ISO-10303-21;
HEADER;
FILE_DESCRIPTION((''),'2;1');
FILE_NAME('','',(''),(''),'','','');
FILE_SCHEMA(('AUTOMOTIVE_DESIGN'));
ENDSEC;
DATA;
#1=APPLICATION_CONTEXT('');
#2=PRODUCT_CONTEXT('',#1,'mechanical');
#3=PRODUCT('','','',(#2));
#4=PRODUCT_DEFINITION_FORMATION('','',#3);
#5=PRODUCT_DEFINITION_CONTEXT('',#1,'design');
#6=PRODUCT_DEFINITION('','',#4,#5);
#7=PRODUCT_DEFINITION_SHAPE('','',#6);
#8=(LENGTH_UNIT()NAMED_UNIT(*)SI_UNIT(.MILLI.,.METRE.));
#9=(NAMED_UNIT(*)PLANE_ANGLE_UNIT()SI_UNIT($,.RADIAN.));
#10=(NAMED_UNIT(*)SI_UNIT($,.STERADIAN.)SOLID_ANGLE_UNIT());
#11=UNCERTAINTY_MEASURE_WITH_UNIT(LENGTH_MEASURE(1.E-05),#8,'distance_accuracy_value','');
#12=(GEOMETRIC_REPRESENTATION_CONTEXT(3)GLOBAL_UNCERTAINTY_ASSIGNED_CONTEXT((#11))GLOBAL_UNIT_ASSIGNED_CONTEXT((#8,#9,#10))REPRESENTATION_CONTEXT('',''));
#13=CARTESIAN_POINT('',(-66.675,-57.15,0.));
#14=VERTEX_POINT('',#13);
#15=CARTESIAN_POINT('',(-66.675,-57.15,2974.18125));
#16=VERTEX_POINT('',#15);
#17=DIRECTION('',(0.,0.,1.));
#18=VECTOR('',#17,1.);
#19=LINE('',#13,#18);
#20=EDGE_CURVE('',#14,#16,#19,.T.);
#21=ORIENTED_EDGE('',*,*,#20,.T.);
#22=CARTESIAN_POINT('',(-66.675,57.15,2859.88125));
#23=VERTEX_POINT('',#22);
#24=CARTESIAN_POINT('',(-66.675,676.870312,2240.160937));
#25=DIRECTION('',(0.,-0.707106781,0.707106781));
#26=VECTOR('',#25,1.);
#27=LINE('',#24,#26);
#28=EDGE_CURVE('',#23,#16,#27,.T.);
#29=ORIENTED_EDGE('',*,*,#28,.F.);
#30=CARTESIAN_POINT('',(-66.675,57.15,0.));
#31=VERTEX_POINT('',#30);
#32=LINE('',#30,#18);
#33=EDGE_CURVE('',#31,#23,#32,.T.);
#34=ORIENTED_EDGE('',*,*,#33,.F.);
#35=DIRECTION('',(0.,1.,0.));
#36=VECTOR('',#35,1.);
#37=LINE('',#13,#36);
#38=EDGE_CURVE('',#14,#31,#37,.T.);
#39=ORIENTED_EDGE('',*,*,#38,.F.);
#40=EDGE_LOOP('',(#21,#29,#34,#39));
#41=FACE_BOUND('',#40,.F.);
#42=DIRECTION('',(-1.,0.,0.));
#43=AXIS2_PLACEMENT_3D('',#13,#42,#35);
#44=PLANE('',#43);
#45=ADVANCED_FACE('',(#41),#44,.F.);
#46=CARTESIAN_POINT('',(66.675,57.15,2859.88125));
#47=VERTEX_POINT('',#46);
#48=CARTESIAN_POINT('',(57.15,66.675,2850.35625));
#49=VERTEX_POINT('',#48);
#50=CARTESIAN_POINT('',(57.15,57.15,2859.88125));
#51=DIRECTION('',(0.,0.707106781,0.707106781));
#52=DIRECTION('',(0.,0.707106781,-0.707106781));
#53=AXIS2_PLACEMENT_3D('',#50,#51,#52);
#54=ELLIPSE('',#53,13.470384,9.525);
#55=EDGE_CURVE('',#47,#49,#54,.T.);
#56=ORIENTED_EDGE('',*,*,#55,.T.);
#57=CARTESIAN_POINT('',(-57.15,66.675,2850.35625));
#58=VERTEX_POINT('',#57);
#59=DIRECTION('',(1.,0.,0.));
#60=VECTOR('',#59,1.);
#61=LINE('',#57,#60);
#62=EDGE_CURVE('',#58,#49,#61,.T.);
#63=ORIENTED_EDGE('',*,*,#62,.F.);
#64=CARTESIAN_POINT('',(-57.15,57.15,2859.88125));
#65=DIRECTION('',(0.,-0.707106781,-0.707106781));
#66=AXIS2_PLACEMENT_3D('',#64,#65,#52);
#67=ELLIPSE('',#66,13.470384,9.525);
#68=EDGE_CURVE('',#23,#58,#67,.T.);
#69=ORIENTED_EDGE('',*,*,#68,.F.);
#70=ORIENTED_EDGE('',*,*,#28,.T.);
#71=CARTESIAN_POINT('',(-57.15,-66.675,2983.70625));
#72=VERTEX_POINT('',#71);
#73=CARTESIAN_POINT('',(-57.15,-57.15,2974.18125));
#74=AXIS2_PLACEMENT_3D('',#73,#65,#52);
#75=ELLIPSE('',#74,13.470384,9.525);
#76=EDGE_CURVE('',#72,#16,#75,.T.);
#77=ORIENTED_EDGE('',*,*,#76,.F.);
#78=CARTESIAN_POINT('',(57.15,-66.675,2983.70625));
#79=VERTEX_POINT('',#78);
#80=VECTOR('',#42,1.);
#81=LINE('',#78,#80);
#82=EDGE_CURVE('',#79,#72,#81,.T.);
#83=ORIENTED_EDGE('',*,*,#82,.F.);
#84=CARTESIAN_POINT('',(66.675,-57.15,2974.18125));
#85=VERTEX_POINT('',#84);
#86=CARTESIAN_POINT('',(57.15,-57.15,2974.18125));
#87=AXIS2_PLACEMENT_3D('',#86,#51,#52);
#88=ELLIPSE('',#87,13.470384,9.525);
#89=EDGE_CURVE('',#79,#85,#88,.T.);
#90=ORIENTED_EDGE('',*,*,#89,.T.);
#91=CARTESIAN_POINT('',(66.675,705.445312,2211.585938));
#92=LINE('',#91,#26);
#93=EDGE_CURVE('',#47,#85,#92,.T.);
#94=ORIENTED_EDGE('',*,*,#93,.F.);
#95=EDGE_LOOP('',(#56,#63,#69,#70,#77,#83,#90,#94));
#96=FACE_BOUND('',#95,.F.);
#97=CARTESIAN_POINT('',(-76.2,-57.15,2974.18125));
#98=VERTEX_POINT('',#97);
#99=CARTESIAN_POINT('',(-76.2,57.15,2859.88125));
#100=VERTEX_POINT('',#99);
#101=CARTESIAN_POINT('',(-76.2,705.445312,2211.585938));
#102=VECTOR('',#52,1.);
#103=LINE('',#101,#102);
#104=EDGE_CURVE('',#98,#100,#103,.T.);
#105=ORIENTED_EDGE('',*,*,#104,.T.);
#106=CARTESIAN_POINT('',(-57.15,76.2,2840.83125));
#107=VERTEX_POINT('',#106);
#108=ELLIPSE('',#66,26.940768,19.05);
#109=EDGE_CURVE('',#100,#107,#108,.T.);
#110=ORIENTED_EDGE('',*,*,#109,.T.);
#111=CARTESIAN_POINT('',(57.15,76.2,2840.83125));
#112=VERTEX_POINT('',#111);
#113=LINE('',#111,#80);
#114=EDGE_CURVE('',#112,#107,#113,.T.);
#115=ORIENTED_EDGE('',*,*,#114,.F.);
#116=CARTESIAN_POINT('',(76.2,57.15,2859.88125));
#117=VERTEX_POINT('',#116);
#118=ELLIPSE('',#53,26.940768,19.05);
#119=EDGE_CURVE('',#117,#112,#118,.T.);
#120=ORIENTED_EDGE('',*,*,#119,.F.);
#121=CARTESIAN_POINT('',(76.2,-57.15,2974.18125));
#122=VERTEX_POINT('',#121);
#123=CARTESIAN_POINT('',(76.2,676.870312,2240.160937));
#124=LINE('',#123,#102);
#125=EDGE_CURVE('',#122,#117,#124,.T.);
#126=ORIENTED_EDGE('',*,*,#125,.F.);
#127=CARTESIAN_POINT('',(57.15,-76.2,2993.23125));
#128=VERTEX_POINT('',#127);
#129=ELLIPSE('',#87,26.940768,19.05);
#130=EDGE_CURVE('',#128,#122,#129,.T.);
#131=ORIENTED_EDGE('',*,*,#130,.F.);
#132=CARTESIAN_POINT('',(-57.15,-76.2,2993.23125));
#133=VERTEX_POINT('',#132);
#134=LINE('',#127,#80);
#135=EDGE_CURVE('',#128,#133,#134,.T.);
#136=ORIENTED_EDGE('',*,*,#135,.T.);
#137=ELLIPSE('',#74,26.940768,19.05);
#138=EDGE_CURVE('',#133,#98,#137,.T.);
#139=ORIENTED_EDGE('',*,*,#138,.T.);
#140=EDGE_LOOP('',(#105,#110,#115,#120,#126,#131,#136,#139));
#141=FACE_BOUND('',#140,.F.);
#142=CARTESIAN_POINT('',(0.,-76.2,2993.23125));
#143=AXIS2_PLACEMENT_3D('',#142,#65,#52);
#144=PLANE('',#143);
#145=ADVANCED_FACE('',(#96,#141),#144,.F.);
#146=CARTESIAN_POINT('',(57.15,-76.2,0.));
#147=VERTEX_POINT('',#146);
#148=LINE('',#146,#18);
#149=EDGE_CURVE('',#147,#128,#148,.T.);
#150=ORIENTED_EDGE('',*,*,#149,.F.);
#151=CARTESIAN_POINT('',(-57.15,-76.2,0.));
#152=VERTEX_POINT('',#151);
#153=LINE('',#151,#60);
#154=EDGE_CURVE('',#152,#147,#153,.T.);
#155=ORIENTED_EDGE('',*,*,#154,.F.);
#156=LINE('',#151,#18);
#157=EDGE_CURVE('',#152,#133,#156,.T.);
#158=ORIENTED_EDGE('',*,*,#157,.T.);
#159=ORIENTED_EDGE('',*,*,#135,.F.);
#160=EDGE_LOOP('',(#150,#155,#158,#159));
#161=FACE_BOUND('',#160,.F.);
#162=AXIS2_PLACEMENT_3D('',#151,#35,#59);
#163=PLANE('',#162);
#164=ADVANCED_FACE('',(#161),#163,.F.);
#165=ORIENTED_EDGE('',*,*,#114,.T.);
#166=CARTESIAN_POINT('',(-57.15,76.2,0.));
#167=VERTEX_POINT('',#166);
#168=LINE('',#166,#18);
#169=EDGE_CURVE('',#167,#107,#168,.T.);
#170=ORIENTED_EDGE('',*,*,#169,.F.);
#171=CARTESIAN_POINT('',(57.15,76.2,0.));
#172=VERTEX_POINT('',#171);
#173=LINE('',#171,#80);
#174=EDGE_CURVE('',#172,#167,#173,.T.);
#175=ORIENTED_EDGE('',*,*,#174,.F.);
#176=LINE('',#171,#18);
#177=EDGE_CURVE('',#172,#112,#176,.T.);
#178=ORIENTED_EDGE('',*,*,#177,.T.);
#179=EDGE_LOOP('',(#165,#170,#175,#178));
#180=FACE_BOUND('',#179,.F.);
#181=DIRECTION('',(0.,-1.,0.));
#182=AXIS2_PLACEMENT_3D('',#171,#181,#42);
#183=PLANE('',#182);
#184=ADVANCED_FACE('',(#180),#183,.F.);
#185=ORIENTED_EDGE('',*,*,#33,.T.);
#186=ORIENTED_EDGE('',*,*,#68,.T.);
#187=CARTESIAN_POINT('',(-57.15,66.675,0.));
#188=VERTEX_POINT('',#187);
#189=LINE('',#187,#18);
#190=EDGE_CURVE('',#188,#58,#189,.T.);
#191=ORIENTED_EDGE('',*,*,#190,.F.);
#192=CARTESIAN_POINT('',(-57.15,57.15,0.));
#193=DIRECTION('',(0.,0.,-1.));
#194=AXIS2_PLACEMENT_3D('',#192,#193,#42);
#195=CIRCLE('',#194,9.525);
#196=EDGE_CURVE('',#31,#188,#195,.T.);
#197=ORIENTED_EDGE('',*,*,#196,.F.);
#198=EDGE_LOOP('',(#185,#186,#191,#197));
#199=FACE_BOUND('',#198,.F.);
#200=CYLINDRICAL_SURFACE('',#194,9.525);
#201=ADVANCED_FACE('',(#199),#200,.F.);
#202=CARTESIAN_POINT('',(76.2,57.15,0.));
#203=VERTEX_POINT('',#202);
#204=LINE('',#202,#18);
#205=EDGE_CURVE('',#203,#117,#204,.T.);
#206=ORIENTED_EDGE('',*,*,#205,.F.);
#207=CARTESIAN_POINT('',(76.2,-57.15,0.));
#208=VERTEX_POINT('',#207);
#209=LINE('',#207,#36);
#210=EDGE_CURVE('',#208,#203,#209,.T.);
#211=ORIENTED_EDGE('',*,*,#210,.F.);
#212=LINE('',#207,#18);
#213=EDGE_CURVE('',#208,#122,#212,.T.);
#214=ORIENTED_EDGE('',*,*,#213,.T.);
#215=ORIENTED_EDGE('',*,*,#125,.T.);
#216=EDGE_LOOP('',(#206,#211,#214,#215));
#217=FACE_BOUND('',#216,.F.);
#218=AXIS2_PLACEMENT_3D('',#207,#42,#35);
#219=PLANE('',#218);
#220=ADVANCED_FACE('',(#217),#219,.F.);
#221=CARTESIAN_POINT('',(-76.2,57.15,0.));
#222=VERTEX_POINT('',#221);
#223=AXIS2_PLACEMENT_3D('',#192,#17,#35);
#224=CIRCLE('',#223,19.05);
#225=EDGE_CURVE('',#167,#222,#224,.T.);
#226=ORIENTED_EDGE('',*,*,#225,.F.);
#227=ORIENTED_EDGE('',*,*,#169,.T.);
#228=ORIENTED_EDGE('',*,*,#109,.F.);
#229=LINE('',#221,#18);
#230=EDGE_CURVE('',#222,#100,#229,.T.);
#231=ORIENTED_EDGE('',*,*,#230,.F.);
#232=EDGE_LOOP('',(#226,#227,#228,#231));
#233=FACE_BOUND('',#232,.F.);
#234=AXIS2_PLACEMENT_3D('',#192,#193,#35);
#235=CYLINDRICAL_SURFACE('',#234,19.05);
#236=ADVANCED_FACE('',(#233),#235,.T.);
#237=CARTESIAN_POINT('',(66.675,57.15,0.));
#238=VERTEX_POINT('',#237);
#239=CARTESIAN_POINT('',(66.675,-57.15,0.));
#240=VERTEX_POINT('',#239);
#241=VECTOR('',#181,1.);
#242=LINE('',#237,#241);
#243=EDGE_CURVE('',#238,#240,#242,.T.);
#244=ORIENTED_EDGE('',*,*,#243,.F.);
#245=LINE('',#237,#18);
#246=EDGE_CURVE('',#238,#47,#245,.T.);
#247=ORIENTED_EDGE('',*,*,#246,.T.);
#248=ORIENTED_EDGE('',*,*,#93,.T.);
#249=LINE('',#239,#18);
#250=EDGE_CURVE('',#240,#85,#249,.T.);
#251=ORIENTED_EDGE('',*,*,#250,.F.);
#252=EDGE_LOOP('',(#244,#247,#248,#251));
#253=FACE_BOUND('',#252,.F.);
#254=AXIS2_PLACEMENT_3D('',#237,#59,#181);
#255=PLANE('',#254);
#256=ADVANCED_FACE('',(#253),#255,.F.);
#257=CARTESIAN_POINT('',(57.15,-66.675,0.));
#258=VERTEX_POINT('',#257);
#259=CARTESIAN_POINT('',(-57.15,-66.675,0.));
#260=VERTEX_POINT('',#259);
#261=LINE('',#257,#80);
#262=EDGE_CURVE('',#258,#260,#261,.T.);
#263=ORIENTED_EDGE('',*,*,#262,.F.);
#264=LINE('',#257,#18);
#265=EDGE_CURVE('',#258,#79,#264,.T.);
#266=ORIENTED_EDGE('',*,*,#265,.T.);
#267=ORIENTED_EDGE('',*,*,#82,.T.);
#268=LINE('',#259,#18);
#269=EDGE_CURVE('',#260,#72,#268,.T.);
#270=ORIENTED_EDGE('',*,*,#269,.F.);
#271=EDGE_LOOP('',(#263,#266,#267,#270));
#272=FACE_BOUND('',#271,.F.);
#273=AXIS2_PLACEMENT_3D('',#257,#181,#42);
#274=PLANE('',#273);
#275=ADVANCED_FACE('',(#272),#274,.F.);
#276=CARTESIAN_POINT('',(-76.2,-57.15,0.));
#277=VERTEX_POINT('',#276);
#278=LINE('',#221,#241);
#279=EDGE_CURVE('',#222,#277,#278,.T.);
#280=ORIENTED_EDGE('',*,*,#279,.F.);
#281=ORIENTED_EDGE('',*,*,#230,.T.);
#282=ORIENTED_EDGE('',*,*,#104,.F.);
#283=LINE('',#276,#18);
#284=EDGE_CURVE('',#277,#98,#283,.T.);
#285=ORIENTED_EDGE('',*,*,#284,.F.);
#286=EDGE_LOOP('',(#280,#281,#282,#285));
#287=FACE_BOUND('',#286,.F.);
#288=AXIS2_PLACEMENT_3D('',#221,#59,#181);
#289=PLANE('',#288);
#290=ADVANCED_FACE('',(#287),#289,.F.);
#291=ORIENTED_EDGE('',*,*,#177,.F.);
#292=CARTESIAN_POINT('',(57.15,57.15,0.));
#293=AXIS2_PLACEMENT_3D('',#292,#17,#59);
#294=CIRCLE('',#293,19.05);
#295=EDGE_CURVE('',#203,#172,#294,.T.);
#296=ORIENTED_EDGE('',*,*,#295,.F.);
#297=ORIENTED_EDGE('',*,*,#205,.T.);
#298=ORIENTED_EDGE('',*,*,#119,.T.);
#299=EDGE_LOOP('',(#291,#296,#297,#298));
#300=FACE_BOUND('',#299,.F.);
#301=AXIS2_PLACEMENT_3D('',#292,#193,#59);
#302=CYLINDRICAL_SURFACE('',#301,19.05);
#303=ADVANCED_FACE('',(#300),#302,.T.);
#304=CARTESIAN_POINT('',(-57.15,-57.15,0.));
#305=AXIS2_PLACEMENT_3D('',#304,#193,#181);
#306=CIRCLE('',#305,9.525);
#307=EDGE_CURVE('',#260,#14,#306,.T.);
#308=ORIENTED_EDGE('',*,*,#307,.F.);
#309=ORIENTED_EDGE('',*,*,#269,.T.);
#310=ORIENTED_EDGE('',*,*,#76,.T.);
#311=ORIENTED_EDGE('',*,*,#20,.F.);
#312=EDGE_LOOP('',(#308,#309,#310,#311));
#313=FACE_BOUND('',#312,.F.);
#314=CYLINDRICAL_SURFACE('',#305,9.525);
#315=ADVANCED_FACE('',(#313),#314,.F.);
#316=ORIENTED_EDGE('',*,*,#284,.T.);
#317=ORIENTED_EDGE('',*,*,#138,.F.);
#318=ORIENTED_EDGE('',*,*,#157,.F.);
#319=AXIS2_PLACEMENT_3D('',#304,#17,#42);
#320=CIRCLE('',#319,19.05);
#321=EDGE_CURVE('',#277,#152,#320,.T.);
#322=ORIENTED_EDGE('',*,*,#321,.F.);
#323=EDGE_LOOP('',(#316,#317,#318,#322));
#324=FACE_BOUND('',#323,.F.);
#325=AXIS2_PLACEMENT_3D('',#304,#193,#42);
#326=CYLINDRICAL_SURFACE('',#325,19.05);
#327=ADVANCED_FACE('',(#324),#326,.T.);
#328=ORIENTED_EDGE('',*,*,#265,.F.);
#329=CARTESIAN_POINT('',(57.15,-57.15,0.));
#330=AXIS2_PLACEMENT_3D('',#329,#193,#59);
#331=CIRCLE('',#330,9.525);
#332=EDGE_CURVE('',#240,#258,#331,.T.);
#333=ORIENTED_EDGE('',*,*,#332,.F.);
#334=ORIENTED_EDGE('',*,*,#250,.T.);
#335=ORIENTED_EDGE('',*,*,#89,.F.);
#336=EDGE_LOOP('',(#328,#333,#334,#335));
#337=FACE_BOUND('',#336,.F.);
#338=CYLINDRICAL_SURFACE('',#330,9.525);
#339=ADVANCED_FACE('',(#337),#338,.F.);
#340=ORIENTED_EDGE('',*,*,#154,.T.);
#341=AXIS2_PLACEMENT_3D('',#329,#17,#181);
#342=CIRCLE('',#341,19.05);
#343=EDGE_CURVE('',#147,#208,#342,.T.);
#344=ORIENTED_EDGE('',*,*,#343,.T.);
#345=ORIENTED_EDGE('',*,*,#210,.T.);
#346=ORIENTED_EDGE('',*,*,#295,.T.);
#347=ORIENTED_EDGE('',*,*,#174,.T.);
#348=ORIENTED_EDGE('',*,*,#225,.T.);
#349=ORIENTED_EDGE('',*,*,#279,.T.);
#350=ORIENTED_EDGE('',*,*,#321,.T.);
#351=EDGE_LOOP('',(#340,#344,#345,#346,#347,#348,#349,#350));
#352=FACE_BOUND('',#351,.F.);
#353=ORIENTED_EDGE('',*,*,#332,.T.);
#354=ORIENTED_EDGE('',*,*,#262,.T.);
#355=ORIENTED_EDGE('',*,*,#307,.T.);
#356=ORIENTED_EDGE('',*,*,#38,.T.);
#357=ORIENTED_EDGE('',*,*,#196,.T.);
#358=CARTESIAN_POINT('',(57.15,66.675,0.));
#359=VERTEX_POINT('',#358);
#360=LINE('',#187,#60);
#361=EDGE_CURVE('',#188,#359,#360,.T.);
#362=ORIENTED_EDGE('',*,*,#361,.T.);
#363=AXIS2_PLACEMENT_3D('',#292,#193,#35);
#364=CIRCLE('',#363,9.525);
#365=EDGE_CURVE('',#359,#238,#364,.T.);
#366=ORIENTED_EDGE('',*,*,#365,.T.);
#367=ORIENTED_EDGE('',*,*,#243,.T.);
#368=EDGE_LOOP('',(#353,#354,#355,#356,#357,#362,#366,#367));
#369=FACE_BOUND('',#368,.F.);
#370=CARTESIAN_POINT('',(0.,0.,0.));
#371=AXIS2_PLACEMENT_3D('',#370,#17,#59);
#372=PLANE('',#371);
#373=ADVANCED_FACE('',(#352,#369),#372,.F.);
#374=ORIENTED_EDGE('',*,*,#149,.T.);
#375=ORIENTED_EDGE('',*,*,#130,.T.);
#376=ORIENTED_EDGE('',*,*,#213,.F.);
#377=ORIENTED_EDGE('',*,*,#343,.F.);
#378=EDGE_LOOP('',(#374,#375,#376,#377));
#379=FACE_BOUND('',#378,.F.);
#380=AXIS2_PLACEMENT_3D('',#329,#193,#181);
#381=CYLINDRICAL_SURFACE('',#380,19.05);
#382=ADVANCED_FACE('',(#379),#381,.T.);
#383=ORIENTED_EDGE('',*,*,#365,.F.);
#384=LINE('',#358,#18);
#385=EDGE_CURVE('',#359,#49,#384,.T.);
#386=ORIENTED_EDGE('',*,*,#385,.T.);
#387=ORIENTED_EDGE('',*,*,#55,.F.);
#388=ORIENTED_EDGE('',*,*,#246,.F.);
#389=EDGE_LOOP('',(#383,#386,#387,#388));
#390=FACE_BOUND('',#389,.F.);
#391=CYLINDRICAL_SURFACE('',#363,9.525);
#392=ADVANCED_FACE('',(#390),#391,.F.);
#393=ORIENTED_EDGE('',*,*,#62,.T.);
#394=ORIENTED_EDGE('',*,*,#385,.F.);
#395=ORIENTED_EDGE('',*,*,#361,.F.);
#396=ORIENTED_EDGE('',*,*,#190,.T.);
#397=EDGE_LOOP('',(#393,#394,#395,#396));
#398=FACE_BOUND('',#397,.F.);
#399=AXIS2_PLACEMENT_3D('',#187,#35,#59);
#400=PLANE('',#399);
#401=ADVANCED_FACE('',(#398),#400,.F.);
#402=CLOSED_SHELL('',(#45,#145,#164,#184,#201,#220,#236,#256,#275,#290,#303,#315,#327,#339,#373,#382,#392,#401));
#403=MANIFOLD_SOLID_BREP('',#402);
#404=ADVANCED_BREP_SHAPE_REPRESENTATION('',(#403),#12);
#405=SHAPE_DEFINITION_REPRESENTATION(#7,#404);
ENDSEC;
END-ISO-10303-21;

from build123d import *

# Parameters (mm, degrees)
F1_DEPTH      = 2993.23125
F3_DEPTH      = 76.201
F3_DEPTH_BACK = 76.201


with BuildPart() as f1:
    # F0 (on Top) → F1 (new body)
    with BuildSketch(Plane.XY):
        with BuildLine():
            ThreePointArc((-76.2, -57.15), (-70.6203841816, -70.6203841816), (-57.15, -76.2))
            Line((-57.15, -76.2), (57.15, -76.2))
            ThreePointArc((57.15, -76.2), (70.6203841816, -70.6203841816), (76.2, -57.15))
            Line((76.2, -57.15), (76.2, 57.15))
            ThreePointArc((76.2, 57.15), (70.6203841816, 70.6203841816), (57.15, 76.2))
            Line((57.15, 76.2), (-57.15, 76.2))
            ThreePointArc((-57.15, 76.2), (-70.6203841816, 70.6203841816), (-76.2, 57.15))
            Line((-76.2, 57.15), (-76.2, -57.15))
        make_face()
        with BuildLine():
            Line((57.15, -66.675), (-57.15, -66.675))
            ThreePointArc((-57.15, -66.675), (-63.8851920908, -63.8851920908), (-66.675, -57.15))
            Line((-66.675, -57.15), (-66.675, 57.15))
            ThreePointArc((-66.675, 57.15), (-63.8851920908, 63.8851920908), (-57.15, 66.675))
            Line((-57.15, 66.675), (57.15, 66.675))
            ThreePointArc((57.15, 66.675), (63.8851920908, 63.8851920908), (66.675, 57.15))
            Line((66.675, 57.15), (66.675, -57.15))
            ThreePointArc((66.675, -57.15), (63.8851920908, -63.8851920908), (57.15, -66.675))
        make_face(mode=Mode.SUBTRACT)
    extrude(amount=F1_DEPTH)

    # F2 (on Right) → F3 (cut, two sides)
    with BuildSketch(Plane.YZ) as f3_sk:
        Polygon((76.2, 2993.23125), (-76.2, 2993.23125), (76.2, 2840.83125), align=None)
    extrude(amount=-F3_DEPTH, mode=Mode.SUBTRACT)
    extrude(f3_sk.sketch, amount=F3_DEPTH_BACK, mode=Mode.SUBTRACT)


solid = f1.part
